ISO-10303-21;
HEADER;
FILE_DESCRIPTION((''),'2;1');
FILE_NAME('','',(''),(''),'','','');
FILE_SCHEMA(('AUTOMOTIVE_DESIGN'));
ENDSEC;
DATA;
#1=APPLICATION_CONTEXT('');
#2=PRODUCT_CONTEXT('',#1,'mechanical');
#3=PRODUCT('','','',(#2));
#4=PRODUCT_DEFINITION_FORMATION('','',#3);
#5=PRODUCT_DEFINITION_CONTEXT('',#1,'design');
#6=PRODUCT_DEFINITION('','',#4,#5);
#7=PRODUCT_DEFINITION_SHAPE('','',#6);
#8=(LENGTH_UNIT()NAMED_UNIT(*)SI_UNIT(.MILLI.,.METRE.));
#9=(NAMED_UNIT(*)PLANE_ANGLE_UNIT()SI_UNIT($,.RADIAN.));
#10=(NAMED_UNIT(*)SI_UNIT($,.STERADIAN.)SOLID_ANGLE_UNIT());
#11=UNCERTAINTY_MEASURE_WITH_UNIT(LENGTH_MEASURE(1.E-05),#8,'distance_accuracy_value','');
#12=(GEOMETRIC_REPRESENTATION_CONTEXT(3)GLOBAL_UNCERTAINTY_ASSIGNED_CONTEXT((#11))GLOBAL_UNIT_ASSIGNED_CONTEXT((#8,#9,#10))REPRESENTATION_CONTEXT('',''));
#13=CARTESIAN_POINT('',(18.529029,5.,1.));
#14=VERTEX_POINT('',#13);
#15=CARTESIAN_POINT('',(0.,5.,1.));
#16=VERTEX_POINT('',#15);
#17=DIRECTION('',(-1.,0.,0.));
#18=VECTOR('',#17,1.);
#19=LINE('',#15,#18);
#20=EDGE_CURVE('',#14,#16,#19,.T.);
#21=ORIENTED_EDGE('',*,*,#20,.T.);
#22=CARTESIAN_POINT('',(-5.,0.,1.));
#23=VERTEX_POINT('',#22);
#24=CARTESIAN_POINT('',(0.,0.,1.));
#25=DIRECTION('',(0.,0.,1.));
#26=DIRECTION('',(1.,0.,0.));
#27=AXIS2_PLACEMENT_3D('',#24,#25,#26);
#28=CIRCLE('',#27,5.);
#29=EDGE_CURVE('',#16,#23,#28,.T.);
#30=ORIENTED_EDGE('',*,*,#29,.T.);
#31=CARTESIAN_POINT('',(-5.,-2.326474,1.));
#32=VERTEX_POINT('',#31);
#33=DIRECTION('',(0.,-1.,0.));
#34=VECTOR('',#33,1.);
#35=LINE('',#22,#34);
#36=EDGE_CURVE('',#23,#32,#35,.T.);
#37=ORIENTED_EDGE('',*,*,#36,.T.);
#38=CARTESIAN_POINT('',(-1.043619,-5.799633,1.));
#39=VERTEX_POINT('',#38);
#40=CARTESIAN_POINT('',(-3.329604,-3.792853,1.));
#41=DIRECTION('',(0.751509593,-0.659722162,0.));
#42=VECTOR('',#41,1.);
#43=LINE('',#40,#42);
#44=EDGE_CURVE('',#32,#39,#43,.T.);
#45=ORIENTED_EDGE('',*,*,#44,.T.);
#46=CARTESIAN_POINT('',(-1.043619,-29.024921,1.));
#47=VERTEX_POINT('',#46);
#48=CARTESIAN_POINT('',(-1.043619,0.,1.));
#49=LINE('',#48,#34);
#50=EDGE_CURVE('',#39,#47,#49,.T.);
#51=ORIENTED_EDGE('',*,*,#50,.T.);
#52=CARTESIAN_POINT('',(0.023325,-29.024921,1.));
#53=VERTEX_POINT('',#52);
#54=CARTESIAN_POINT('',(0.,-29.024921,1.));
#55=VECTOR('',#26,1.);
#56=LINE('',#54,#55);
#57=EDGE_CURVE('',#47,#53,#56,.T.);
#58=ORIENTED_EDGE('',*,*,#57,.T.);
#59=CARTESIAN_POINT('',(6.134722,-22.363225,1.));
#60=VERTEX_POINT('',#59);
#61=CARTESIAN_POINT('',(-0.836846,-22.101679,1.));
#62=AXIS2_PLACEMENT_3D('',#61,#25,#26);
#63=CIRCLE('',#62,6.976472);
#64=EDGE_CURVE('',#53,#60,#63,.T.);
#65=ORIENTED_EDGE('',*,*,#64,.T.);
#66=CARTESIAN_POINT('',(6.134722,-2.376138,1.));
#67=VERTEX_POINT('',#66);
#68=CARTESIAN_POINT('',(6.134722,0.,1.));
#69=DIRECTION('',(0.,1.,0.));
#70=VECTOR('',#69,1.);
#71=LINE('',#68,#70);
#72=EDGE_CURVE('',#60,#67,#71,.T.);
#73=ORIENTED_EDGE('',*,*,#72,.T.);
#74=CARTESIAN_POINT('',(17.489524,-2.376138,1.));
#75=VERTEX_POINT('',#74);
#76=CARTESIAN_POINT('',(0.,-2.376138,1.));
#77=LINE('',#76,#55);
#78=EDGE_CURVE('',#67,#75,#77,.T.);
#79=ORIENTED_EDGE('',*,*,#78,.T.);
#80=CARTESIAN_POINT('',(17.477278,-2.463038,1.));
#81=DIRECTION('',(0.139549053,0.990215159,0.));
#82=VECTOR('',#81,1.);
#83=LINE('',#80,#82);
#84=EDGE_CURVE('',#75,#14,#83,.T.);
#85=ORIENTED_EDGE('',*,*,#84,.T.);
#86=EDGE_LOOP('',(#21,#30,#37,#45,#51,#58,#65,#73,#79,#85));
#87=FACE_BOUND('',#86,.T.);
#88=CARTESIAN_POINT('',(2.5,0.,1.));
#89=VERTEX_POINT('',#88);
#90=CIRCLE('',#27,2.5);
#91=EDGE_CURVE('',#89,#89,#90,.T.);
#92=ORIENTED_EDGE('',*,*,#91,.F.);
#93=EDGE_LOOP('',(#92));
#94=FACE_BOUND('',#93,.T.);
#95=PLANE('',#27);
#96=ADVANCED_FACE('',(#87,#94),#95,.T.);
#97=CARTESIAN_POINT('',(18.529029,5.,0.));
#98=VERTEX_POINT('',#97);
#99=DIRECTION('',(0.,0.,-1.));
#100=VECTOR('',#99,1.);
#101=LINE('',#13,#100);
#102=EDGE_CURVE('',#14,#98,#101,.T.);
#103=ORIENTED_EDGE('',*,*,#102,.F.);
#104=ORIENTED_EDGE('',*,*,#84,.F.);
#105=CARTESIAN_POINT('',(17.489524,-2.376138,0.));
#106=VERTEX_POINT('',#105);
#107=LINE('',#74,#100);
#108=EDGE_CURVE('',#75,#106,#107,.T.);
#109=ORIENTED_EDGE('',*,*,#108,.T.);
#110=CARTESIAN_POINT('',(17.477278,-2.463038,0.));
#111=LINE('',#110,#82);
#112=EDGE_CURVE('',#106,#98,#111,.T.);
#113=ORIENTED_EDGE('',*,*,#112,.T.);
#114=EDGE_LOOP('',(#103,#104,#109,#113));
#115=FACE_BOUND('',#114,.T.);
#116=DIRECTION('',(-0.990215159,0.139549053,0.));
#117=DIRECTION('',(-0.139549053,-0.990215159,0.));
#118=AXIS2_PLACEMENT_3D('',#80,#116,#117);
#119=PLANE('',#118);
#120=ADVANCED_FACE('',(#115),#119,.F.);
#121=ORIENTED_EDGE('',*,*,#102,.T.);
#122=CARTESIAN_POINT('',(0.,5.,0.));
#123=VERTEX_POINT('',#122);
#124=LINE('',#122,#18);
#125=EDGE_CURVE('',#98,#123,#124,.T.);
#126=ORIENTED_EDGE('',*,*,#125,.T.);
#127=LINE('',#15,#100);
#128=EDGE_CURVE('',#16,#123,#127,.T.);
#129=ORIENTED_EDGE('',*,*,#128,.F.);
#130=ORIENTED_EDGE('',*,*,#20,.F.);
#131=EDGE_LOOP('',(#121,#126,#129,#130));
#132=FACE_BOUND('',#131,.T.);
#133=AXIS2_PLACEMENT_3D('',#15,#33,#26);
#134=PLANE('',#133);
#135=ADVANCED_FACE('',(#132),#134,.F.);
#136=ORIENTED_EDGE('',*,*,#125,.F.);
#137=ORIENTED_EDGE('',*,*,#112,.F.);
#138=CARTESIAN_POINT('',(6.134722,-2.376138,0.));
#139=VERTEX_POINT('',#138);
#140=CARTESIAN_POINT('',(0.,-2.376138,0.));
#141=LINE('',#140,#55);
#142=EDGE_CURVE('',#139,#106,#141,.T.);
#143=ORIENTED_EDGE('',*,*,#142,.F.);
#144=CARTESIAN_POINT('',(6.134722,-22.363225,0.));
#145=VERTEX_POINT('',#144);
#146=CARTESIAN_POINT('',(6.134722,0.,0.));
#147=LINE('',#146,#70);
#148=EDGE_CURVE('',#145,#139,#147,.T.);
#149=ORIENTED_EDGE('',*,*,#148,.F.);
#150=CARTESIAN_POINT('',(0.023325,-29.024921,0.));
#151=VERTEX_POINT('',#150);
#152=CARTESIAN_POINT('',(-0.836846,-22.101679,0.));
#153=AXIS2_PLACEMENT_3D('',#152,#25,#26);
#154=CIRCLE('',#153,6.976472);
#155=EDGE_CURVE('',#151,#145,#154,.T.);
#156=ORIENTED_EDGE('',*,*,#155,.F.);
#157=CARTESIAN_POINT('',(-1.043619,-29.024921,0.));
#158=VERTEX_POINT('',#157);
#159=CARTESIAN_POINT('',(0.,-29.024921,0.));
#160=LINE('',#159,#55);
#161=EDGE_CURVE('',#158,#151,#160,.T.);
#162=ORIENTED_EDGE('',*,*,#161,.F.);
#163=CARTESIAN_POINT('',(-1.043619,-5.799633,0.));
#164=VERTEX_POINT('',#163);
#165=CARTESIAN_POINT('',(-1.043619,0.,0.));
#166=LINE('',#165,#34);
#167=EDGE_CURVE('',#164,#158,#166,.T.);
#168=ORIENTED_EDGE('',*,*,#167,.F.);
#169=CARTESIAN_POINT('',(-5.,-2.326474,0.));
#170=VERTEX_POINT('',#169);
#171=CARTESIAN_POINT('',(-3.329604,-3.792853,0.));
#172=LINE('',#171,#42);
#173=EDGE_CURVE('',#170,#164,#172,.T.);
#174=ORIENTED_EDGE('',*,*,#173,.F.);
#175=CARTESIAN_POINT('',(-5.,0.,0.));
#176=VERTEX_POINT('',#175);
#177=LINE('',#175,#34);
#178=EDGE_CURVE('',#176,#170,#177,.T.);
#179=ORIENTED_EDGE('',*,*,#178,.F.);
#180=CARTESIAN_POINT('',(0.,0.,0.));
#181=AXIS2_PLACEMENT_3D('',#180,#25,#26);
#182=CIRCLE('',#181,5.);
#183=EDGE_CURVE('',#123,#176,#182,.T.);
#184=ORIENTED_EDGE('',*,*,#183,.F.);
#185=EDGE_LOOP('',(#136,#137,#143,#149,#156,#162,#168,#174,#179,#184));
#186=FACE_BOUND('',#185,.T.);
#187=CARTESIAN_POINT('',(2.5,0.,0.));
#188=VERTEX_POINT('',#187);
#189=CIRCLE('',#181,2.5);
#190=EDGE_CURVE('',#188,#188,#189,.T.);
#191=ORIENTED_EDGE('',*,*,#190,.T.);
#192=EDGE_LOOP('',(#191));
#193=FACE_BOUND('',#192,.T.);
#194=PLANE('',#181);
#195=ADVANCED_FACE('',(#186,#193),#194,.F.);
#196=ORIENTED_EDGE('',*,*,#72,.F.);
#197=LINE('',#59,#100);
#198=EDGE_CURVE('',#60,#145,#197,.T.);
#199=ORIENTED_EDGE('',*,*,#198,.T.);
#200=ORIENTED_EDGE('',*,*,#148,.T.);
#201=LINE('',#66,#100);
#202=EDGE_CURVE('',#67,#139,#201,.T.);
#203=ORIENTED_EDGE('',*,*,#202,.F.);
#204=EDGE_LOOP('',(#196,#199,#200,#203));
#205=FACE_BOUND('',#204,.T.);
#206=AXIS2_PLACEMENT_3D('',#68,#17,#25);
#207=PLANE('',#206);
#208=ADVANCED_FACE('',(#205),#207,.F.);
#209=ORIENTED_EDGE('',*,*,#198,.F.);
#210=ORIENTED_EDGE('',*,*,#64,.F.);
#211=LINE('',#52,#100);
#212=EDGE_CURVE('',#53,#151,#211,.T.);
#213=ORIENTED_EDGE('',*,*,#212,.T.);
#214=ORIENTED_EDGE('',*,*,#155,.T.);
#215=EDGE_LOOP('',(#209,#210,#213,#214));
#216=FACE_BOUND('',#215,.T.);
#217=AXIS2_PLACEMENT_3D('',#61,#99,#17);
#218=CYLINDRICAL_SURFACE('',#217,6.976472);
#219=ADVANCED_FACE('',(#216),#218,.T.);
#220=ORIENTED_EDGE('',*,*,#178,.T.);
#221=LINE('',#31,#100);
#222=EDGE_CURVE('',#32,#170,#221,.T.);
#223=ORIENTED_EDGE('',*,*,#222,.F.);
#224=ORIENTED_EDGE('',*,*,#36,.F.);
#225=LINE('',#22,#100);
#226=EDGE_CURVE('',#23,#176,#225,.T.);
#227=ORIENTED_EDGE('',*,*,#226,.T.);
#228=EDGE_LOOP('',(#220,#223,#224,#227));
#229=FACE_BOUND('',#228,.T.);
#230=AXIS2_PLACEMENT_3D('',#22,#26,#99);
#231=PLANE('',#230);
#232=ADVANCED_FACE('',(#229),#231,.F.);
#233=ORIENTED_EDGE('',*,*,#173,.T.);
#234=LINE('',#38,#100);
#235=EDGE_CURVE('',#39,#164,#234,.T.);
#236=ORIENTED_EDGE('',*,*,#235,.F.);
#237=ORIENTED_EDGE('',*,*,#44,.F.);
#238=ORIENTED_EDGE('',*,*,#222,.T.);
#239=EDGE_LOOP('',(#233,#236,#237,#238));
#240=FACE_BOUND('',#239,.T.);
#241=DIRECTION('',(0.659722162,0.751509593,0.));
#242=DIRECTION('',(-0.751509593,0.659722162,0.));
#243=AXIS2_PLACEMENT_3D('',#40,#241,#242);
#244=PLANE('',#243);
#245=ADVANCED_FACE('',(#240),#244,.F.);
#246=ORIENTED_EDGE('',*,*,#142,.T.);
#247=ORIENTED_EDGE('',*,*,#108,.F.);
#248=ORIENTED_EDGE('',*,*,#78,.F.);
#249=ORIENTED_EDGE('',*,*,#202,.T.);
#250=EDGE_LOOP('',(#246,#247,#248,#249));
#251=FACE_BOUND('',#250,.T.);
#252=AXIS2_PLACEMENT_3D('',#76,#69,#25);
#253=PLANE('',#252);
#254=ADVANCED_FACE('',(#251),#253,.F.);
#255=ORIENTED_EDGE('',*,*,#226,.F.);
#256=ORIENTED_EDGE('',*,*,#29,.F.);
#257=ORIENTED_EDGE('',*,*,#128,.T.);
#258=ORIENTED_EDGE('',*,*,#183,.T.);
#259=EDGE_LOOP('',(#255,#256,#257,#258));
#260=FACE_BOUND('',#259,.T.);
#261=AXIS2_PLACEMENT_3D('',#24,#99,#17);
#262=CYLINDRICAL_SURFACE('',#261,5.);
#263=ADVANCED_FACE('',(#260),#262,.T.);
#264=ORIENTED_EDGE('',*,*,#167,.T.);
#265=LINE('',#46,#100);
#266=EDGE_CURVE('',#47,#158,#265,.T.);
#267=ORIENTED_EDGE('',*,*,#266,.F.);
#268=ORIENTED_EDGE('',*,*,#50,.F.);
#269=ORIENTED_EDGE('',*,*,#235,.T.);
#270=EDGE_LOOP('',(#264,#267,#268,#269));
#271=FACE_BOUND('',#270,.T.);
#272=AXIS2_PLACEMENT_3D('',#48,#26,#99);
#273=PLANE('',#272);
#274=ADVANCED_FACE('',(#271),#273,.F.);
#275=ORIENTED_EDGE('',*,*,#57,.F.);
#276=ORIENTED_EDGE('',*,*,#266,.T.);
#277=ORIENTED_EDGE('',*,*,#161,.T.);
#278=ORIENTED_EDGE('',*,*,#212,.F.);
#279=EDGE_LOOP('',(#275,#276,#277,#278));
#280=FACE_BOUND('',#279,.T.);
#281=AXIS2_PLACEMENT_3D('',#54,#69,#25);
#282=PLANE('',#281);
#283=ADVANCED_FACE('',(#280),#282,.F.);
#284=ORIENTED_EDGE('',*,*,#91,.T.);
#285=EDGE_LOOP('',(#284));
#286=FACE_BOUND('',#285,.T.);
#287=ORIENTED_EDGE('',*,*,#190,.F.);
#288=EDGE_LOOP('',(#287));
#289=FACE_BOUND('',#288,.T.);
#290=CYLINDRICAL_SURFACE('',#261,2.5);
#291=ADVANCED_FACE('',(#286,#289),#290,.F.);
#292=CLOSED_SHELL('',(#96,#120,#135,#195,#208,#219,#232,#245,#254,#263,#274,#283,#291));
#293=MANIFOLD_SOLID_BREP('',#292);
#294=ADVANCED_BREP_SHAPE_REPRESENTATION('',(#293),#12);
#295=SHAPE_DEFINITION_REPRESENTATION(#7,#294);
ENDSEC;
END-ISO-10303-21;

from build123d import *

# Parameters (mm, degrees)
SKETCH_1_R      = 2.5
EXTRUDE_1_DEPTH = 1


with BuildPart() as part:
    # 스케치1 → 보스-돌출1 (new body)
    with BuildSketch(Plane.XY):
        with BuildLine():
            Line((18.529028891, 5), (0, 5))
            ThreePointArc((0, 5), (-3.535533906, 3.535533906), (-5, 0))
            Line((-5, 0), (-5, -2.326474397))
            Line((-5, -2.326474397), (-1.043619368, -5.799632967))
            Line((-1.043619368, -5.799632967), (-1.043619368, -29.024920851))
            Line((-1.043619368, -29.024920851), (0.023324735, -29.024920851))
            ThreePointArc((0.023324735, -29.024920851), (4.304027875, -26.817883884), (6.134722324, -22.363224595))
            Line((6.134722324, -22.363224595), (6.134722324, -2.376138068))
            Line((6.134722324, -2.376138068), (17.489524427, -2.376138068))
            Line((17.489524427, -2.376138068), (18.529028891, 5))
        make_face()
        Circle(SKETCH_1_R, mode=Mode.SUBTRACT)
    extrude(amount=EXTRUDE_1_DEPTH)


solid = part.part
